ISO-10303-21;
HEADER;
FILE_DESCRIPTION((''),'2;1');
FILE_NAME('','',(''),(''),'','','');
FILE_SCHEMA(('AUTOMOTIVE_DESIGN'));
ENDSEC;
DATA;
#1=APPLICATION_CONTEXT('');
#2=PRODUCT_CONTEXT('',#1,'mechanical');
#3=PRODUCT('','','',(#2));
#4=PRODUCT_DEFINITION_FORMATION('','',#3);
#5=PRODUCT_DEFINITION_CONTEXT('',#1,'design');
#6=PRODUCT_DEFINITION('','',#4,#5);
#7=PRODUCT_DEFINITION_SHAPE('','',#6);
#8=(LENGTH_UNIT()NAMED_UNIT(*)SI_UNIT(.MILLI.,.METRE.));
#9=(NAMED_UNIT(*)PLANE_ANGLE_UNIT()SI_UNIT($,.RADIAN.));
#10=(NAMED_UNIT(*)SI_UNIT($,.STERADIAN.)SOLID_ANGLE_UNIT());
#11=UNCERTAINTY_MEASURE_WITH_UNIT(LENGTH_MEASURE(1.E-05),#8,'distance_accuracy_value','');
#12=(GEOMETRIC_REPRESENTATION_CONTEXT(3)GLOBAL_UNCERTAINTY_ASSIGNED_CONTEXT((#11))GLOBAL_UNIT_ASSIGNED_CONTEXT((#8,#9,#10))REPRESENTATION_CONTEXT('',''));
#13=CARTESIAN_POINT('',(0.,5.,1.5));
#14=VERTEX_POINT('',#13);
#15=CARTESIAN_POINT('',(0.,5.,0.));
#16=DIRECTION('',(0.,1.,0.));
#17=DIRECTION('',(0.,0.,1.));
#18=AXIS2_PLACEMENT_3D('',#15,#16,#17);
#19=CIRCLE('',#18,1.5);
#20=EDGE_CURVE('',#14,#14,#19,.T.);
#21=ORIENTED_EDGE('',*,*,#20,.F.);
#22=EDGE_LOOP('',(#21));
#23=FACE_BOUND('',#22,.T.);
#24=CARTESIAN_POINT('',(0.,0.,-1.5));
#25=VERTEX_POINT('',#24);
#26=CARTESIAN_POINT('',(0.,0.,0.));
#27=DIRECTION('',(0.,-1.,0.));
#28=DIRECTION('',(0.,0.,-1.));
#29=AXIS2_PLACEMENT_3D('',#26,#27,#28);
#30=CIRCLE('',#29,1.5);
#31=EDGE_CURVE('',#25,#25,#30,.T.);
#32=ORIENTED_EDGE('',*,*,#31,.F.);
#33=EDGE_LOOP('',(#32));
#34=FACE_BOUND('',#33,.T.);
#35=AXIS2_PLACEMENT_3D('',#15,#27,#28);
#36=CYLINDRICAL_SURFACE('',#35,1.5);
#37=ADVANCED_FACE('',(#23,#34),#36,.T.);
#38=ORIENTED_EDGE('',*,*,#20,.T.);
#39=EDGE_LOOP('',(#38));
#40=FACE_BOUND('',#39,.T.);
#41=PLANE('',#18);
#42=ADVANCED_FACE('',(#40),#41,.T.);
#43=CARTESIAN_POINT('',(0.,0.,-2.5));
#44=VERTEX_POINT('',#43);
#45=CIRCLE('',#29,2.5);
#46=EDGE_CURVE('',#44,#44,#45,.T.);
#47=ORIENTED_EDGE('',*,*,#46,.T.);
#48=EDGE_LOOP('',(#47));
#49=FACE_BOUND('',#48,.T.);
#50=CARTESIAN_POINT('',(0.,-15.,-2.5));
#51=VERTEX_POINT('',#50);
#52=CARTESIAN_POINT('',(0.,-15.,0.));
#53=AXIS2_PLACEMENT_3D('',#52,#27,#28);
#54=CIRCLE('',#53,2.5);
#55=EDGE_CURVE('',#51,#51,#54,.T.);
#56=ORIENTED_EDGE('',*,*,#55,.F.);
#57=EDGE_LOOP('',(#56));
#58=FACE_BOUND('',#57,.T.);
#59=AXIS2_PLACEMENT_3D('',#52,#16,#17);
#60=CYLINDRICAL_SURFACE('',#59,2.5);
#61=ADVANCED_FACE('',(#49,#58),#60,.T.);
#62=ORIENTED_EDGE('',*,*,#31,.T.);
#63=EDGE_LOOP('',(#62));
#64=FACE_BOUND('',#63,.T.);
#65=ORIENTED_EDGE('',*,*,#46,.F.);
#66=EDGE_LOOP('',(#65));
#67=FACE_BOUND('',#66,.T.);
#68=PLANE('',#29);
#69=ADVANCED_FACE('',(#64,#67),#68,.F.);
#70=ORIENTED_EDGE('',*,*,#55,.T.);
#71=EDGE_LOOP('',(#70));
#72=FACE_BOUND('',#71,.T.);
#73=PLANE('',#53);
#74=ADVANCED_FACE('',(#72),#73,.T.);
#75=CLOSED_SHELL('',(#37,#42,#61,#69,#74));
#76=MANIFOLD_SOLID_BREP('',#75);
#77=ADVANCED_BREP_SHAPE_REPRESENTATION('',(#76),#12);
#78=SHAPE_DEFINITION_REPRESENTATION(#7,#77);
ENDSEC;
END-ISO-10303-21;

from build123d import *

# Parameters (mm, degrees)
SKETCH_1_R      = 1.5
EXTRUDE_1_DEPTH = 5
SKETCH_2_R      = 2.5
EXTRUDE_2_DEPTH = 15


with BuildPart() as part:
    # 草图1 → 凸台-拉伸1 (new body)
    with BuildSketch(Plane(origin=(0, 0, 0), x_dir=(1, 0, 0), z_dir=(0, 1, 0))):
        with Locations(Location((0, 0, 0), (0, 0, 270))):
            Circle(SKETCH_1_R)
    extrude(amount=EXTRUDE_1_DEPTH)

    # 草图2 → 凸台-拉伸2 (add)
    with BuildSketch(Plane.XZ):
        with Locations(Location((0, 0, 0), (0, 0, 270))):
            Circle(SKETCH_2_R)
    extrude(amount=EXTRUDE_2_DEPTH)


solid = part.part
